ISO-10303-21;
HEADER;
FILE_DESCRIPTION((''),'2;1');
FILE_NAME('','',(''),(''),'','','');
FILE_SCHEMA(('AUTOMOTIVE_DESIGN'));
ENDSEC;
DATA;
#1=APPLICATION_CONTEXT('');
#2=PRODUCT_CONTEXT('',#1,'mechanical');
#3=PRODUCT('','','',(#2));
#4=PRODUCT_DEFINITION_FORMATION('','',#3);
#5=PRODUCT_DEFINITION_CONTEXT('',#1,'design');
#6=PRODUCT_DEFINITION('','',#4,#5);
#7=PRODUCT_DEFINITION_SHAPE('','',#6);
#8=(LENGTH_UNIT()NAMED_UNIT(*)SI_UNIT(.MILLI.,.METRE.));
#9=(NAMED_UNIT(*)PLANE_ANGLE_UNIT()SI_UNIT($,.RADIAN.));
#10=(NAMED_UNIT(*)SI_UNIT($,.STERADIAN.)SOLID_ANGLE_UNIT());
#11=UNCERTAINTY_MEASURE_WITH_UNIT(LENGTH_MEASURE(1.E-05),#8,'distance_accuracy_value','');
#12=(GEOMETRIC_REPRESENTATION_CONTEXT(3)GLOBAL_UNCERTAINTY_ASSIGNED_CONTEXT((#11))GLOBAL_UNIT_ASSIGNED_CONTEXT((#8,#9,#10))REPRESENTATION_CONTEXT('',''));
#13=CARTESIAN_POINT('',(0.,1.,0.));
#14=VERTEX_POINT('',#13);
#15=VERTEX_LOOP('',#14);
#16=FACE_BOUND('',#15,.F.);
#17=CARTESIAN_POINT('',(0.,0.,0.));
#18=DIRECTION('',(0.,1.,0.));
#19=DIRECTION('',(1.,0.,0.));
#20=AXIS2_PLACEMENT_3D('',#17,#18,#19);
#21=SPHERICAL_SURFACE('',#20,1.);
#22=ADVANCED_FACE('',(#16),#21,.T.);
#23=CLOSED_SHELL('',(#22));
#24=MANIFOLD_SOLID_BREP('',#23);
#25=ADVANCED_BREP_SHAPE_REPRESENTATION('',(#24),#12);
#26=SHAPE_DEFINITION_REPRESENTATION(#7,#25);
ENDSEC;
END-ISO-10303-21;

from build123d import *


with BuildPart() as part:
    # Sketch1 → Revolve1 (revolve)
    with BuildSketch(Plane.XY):
        with BuildLine():
            Line((0, 1), (0, -1))
            ThreePointArc((0, -1), (1, 0), (0, 1))
        make_face()
    revolve(axis=Axis((0, 1, 0), (0, -1, 0)))


solid = part.part
